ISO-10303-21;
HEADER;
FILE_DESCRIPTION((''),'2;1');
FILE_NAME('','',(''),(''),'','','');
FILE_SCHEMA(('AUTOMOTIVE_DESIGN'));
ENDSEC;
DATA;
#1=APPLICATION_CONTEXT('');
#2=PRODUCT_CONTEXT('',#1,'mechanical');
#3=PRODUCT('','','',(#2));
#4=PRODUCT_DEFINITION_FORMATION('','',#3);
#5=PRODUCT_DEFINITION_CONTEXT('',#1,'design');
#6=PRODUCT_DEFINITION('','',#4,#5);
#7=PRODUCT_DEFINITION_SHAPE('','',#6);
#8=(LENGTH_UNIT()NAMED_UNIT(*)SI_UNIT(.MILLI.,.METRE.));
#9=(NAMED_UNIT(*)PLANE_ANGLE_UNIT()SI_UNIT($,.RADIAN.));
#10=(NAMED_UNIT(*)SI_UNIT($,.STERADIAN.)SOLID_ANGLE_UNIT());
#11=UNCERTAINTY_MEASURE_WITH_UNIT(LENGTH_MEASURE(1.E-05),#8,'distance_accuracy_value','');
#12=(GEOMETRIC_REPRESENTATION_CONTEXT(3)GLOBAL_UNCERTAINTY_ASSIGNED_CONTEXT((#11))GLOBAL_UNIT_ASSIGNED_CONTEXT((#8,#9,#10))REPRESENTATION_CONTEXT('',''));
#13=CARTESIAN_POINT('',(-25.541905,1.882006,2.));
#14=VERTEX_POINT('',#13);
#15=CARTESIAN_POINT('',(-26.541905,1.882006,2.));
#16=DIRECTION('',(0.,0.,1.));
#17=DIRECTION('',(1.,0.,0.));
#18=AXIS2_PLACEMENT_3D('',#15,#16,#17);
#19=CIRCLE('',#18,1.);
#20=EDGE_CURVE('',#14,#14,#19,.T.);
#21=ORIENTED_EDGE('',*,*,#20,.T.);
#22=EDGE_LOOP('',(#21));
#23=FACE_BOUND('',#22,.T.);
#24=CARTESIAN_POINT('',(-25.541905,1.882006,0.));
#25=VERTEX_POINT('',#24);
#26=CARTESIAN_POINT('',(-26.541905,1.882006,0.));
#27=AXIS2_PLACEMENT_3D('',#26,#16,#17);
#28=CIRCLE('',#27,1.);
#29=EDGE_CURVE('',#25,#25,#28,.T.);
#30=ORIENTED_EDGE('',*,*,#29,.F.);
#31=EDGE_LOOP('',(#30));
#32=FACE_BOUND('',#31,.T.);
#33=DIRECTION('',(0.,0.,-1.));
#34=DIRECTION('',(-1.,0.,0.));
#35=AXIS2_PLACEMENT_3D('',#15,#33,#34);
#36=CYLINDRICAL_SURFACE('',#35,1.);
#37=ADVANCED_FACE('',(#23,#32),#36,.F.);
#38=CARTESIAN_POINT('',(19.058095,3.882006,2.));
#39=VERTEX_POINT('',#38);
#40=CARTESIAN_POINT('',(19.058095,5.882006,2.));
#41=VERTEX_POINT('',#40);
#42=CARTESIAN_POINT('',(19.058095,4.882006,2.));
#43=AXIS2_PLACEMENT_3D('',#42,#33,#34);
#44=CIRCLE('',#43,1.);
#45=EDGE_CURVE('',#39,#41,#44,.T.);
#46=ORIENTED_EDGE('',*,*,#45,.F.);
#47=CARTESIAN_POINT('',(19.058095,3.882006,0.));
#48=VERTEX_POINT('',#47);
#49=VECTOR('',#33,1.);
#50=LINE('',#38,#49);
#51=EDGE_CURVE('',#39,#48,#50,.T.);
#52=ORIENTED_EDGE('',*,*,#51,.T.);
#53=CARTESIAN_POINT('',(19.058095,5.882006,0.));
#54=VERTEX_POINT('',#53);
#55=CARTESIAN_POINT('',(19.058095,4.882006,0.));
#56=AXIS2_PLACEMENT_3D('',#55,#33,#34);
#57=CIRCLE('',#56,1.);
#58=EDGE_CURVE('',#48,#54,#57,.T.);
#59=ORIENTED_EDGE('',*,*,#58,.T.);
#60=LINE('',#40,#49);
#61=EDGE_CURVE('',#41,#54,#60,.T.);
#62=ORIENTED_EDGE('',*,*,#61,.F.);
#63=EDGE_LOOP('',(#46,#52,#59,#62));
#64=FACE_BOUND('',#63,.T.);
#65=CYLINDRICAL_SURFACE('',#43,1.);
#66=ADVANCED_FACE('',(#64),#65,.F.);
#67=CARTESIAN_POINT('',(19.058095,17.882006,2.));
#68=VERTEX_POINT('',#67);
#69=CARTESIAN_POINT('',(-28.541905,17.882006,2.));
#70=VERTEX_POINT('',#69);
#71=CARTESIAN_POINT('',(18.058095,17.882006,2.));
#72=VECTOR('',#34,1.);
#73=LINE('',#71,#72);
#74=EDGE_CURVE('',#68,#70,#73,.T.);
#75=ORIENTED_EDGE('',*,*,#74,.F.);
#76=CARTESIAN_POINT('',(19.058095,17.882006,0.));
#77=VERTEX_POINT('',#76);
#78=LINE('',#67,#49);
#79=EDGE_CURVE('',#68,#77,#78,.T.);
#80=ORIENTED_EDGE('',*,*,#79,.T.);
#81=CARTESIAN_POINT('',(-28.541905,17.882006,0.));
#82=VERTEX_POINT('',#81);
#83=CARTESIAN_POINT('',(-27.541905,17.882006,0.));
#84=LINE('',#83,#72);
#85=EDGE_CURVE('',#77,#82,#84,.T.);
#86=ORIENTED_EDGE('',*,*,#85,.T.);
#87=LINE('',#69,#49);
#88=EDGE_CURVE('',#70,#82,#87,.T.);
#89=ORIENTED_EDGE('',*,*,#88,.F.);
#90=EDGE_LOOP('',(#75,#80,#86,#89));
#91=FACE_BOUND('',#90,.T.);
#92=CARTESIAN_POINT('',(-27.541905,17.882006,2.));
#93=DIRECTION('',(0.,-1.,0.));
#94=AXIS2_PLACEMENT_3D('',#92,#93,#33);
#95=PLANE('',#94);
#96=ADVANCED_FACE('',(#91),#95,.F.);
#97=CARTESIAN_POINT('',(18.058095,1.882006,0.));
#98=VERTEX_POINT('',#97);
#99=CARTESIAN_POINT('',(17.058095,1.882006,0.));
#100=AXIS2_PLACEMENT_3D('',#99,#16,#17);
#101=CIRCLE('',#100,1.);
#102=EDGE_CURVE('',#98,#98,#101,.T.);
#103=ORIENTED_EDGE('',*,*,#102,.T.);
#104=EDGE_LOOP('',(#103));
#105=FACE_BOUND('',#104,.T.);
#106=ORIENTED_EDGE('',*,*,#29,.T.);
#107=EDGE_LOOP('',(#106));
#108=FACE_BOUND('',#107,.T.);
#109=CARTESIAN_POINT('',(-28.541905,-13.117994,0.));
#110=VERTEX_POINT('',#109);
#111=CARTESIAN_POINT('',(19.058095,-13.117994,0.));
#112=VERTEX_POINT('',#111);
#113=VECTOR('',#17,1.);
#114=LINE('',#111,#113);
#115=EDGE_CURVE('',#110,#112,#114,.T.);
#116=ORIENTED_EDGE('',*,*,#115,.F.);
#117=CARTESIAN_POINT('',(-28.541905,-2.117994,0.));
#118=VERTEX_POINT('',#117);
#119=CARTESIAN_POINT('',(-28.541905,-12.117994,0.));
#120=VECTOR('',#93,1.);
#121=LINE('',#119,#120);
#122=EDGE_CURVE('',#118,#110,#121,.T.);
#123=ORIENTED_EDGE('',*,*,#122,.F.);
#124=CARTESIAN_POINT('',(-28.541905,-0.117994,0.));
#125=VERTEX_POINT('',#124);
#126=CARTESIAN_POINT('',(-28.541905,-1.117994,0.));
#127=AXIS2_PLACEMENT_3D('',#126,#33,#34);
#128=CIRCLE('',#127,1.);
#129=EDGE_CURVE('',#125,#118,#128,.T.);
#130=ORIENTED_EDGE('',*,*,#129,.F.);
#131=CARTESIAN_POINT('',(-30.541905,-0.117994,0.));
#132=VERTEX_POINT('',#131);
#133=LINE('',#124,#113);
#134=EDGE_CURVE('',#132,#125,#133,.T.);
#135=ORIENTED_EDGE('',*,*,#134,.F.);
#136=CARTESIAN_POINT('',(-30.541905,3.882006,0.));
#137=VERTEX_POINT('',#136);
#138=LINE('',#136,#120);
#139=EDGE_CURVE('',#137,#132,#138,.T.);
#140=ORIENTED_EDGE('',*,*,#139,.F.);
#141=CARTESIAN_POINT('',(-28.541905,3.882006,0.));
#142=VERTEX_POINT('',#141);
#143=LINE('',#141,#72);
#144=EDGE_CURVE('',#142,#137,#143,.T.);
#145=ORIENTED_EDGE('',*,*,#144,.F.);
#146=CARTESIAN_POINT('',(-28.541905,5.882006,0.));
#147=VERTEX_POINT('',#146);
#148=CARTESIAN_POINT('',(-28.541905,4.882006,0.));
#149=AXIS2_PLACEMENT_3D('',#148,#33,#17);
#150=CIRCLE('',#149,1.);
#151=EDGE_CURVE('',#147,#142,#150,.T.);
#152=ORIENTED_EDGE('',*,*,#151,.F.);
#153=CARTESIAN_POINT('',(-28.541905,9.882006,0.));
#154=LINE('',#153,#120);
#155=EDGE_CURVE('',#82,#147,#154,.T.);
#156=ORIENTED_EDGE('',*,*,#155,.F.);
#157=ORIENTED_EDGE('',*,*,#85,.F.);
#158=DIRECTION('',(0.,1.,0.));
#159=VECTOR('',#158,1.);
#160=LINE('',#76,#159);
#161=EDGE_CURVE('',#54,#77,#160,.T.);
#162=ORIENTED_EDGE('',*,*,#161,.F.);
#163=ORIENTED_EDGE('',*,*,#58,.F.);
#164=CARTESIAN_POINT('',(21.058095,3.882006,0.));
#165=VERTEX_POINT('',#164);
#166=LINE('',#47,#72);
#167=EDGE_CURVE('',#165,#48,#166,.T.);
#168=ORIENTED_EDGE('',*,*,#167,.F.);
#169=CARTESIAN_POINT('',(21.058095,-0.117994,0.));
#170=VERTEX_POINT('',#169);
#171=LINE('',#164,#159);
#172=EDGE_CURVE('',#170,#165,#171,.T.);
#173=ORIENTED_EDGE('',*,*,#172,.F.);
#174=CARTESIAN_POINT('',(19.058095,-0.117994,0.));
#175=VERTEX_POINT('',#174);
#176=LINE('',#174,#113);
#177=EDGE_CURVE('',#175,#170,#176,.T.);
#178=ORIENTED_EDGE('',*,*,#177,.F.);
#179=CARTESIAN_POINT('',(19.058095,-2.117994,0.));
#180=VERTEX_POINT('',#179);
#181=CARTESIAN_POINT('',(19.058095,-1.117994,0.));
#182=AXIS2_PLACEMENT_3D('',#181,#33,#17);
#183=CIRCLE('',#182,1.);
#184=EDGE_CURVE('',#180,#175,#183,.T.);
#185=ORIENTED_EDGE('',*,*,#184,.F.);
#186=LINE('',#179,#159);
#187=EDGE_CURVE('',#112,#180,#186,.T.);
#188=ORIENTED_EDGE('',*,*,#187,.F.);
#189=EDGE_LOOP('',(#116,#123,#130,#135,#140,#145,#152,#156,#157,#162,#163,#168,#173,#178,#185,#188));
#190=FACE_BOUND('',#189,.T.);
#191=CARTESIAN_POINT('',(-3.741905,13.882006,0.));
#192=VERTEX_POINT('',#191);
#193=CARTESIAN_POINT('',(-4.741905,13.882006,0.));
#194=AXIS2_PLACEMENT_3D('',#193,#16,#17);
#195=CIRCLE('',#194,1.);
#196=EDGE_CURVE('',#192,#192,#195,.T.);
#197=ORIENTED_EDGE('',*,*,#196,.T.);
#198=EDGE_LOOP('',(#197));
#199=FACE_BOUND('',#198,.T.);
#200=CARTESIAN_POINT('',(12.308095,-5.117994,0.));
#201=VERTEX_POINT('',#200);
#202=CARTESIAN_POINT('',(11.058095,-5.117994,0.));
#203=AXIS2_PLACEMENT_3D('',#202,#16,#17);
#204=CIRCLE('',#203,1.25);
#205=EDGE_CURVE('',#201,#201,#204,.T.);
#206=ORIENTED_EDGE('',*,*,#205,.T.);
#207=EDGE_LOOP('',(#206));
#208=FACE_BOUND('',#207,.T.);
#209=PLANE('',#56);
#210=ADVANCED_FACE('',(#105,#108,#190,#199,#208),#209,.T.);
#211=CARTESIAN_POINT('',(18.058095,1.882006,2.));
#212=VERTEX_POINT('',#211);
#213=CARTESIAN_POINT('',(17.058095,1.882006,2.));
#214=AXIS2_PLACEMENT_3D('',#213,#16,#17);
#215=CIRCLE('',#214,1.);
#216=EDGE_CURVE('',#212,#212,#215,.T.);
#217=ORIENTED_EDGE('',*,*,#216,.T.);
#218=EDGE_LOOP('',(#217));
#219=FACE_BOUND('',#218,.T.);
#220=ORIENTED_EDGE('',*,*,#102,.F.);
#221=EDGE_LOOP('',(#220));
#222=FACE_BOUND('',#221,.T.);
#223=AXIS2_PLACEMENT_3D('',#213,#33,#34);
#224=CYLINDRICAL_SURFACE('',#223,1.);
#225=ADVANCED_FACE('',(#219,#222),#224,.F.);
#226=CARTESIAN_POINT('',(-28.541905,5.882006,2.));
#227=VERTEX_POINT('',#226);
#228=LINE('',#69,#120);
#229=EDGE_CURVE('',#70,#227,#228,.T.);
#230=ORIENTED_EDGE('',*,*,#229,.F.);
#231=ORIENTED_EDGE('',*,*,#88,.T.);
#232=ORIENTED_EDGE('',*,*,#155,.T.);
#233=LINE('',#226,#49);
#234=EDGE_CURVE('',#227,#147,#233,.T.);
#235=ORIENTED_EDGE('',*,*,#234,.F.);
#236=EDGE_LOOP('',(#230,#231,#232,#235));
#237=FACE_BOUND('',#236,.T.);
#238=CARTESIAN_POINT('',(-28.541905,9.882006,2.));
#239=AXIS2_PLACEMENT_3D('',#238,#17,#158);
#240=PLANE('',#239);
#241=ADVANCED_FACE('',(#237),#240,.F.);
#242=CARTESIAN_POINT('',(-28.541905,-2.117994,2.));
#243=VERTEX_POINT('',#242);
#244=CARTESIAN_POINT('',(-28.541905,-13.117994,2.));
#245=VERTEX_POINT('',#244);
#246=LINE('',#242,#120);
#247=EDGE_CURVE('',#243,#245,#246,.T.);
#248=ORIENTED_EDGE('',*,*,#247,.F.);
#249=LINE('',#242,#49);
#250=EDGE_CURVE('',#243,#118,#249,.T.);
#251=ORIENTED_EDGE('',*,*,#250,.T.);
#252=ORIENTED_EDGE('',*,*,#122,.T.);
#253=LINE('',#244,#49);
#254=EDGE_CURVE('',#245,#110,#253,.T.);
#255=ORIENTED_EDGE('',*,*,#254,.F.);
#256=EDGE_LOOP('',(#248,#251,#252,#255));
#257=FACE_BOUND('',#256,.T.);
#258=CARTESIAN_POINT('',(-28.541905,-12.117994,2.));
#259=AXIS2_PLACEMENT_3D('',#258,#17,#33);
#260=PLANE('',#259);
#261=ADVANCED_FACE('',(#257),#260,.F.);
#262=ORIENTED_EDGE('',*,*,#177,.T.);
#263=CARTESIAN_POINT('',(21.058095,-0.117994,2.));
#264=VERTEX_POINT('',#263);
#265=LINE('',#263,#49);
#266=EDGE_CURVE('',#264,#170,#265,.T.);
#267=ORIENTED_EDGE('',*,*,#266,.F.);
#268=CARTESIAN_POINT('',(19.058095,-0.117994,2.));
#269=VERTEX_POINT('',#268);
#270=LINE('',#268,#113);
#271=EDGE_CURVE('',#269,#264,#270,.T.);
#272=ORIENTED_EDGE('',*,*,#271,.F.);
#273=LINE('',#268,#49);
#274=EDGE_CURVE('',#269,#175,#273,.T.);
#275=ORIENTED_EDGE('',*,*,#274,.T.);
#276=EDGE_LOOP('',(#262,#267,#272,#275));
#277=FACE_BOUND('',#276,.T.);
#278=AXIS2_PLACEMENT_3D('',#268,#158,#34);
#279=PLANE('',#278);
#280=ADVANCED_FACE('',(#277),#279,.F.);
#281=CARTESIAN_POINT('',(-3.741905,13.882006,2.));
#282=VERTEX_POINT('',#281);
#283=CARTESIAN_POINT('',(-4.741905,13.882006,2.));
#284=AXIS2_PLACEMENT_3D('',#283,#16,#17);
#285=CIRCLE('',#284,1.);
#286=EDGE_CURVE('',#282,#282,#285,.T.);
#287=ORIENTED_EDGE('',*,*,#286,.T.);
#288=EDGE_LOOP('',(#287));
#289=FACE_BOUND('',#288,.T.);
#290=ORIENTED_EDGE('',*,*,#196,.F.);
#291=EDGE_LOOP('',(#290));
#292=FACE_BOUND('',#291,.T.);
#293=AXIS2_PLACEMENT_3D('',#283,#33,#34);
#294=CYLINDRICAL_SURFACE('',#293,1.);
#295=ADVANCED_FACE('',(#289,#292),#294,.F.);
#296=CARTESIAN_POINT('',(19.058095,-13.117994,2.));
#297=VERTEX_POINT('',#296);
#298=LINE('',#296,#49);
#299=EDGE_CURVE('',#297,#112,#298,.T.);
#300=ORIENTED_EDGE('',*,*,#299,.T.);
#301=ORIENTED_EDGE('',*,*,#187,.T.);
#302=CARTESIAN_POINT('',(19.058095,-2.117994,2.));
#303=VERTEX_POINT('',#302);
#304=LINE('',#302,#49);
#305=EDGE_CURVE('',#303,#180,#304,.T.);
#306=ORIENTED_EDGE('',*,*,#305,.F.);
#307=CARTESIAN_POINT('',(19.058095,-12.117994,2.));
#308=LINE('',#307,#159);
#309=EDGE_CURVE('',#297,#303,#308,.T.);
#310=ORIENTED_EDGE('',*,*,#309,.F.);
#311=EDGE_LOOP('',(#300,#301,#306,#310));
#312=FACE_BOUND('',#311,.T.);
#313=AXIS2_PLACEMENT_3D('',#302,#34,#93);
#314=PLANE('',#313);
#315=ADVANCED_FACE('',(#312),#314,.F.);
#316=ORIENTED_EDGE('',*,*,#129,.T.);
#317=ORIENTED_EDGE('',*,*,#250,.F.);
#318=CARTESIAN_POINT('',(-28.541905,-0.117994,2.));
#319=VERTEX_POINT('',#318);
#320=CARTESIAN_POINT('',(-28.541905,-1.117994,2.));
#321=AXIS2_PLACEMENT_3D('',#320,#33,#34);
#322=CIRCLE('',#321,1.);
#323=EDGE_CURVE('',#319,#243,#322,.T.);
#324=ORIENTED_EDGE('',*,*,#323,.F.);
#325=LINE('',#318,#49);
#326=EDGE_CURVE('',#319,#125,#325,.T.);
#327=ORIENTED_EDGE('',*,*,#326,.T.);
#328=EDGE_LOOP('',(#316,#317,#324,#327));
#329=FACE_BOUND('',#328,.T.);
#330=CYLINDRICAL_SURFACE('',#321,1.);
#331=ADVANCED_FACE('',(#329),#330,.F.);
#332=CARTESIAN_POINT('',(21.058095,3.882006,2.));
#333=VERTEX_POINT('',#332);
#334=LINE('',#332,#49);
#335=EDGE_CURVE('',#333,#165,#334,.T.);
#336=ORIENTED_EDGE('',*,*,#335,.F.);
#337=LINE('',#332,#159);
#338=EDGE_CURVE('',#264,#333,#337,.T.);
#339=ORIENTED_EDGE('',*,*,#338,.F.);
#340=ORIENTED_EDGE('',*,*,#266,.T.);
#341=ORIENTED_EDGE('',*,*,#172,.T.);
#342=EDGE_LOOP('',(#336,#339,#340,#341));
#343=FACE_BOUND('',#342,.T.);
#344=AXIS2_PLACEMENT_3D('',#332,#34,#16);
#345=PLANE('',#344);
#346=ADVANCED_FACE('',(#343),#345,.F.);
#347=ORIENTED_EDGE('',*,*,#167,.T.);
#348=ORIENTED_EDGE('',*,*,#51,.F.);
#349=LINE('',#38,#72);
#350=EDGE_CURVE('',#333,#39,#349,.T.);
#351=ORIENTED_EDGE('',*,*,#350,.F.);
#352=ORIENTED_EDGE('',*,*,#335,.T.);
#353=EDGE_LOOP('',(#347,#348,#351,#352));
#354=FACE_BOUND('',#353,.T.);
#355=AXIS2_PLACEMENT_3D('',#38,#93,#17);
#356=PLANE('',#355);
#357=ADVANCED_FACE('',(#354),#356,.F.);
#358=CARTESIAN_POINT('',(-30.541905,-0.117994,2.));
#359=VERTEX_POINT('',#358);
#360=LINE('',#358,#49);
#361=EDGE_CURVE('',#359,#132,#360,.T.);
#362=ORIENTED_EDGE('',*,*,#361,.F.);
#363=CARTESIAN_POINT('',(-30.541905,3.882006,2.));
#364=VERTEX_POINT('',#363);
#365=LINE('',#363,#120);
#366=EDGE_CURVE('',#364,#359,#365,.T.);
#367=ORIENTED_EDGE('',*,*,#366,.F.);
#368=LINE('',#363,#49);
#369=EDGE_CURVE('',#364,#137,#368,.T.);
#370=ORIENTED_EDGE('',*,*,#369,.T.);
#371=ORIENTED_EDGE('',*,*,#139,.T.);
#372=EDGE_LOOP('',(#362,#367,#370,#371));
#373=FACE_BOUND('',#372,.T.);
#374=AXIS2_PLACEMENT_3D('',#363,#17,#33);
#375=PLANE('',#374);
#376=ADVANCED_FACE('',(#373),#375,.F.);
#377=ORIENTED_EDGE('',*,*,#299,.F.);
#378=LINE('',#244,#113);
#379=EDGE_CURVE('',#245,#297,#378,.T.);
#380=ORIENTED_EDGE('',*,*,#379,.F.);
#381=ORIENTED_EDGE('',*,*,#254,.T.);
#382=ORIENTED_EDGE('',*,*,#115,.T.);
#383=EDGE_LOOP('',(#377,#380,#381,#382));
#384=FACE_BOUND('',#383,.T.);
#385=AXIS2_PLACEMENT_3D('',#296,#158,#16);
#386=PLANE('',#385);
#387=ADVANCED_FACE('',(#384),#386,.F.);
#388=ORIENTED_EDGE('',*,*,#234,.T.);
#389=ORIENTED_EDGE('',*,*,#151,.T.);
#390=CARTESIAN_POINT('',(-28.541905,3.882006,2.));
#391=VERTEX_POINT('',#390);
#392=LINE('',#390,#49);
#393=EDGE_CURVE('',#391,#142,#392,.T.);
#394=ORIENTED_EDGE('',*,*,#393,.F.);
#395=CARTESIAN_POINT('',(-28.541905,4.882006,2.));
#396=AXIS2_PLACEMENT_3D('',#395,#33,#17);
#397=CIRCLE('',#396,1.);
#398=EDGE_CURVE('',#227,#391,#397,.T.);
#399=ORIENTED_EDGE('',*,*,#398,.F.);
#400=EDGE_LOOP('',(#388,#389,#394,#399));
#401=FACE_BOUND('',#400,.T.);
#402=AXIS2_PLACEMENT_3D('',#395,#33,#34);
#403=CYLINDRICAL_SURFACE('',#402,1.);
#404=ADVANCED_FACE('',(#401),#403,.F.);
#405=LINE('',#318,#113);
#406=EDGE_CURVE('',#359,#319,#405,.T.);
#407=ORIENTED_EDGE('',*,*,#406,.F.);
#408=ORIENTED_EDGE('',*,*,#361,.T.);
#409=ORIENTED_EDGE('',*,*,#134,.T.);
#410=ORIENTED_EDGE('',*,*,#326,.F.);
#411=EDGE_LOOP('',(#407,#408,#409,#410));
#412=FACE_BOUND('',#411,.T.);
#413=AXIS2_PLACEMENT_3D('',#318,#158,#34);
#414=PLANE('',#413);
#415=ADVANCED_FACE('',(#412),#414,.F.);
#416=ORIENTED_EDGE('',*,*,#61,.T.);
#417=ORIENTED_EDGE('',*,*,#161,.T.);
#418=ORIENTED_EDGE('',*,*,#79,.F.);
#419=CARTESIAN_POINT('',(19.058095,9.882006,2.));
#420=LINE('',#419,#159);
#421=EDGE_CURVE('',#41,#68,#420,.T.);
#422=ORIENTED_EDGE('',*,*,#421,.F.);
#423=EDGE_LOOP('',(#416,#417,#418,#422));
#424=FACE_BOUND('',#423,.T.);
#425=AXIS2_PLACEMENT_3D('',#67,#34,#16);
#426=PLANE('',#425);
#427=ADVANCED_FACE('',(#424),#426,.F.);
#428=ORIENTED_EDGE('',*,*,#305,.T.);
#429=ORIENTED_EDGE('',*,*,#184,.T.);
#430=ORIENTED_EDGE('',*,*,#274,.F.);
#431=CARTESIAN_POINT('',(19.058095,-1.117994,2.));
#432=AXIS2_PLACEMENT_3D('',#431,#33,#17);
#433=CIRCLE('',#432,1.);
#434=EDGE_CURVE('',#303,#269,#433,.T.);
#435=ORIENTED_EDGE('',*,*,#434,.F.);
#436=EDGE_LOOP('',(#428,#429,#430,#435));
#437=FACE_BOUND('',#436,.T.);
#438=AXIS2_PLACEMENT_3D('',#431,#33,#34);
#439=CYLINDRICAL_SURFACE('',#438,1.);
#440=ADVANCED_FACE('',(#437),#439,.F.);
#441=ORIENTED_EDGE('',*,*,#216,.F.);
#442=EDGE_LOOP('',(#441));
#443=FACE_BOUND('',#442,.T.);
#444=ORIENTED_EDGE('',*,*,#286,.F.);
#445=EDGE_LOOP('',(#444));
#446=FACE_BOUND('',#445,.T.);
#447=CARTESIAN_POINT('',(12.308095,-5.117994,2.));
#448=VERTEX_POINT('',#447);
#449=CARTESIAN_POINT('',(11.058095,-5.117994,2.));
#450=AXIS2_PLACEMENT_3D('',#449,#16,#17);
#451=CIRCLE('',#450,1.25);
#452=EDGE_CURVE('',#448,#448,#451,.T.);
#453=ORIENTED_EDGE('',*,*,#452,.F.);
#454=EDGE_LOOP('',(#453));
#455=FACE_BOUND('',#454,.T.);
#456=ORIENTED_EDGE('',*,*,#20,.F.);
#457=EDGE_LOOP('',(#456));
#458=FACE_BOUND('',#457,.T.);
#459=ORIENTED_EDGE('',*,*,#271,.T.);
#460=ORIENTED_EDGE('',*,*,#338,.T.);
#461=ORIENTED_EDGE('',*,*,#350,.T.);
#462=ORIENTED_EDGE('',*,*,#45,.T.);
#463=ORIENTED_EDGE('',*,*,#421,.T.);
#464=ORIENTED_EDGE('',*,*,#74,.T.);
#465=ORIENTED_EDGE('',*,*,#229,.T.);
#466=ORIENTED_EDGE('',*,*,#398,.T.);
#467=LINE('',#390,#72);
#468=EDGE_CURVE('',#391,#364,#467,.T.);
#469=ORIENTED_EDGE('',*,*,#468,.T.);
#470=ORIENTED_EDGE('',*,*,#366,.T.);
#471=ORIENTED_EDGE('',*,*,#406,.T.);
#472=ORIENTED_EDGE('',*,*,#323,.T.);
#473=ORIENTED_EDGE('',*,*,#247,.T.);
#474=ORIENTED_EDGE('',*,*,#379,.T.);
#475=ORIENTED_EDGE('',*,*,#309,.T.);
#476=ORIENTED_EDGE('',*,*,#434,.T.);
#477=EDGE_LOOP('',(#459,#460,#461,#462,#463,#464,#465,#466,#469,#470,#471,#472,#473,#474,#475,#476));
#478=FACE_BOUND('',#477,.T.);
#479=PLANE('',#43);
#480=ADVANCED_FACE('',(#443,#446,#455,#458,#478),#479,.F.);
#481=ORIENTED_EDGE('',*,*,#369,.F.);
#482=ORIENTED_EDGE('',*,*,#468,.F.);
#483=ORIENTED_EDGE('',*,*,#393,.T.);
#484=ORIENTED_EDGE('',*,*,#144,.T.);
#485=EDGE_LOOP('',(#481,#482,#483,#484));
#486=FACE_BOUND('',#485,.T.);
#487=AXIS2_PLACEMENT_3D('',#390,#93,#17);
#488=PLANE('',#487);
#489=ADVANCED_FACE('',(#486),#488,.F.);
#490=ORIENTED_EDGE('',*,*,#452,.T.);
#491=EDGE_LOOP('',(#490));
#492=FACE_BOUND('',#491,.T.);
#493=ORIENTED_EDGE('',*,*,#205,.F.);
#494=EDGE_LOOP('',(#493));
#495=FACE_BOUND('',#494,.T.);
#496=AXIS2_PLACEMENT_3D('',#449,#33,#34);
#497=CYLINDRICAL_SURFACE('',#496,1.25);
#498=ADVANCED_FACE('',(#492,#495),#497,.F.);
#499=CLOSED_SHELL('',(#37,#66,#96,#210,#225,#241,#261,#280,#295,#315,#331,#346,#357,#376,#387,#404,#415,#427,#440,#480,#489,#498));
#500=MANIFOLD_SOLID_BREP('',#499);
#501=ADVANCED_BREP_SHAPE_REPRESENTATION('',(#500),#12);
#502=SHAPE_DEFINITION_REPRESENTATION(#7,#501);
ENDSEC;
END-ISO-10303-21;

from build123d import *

# Parameters (mm, degrees)
SKETCH_1_R      = 1.25
SKETCH_1_R_2    = 1
EXTRUDE_2_DEPTH = 2


with BuildPart() as part:
    # 草圖1 → 填料-伸長2 (new body)
    with BuildSketch(Plane.XY):
        with BuildLine():
            Line((18.058094933, -13.1179941), (-27.541905067, -13.1179941))
            Line((-27.541905067, -13.1179941), (-28.541905067, -13.1179941))
            Line((-28.541905067, -13.1179941), (-28.541905067, -12.1179941))
            Line((-28.541905067, -12.1179941), (-28.541905067, -2.1179941))
            ThreePointArc((-28.541905067, -2.1179941), (-27.541905067, -1.1179941), (-28.541905067, -0.1179941))
            Line((-28.541905067, -0.1179941), (-30.541905067, -0.1179941))
            Line((-30.541905067, -0.1179941), (-30.541905067, 3.8820059))
            Line((-30.541905067, 3.8820059), (-28.541905067, 3.8820059))
            ThreePointArc((-28.541905067, 3.8820059), (-27.541905067, 4.8820059), (-28.541905067, 5.8820059))
            Line((-28.541905067, 5.8820059), (-28.541905067, 9.8820059))
            Line((-28.541905067, 9.8820059), (-28.541905067, 10.8820059))
            Line((-28.541905067, 10.8820059), (-28.541905067, 16.8820059))
            Line((-28.541905067, 16.8820059), (-28.541905067, 17.8820059))
            Line((-28.541905067, 17.8820059), (-27.541905067, 17.8820059))
            Line((-27.541905067, 17.8820059), (18.058094933, 17.8820059))
            Line((18.058094933, 17.8820059), (19.058094933, 17.8820059))
            Line((19.058094933, 17.8820059), (19.058094933, 16.8820059))
            Line((19.058094933, 16.8820059), (19.058094933, 10.8820059))
            Line((19.058094933, 10.8820059), (19.058094933, 9.8820059))
            Line((19.058094933, 9.8820059), (19.058094933, 5.8820059))
            ThreePointArc((19.058094933, 5.8820059), (18.058094933, 4.8820059), (19.058094933, 3.8820059))
            Line((19.058094933, 3.8820059), (21.058094933, 3.8820059))
            Line((21.058094933, 3.8820059), (21.058094933, -0.1179941))
            Line((21.058094933, -0.1179941), (19.058094933, -0.1179941))
            ThreePointArc((19.058094933, -0.1179941), (18.058094933, -1.1179941), (19.058094933, -2.1179941))
            Line((19.058094933, -2.1179941), (19.058094933, -12.1179941))
            Line((19.058094933, -12.1179941), (19.058094933, -13.1179941))
            Line((19.058094933, -13.1179941), (18.058094933, -13.1179941))
        make_face()
        with Locations((11.058094933, -5.1179941)):
            Circle(SKETCH_1_R, mode=Mode.SUBTRACT)
        with Locations((-26.541905067, 1.8820059)):
            Circle(SKETCH_1_R_2, mode=Mode.SUBTRACT)
        with Locations((17.058094933, 1.8820059)):
            Circle(SKETCH_1_R_2, mode=Mode.SUBTRACT)
        with Locations((-4.741905067, 13.8820059)):
            Circle(SKETCH_1_R_2, mode=Mode.SUBTRACT)
    extrude(amount=EXTRUDE_2_DEPTH)


solid = part.part
